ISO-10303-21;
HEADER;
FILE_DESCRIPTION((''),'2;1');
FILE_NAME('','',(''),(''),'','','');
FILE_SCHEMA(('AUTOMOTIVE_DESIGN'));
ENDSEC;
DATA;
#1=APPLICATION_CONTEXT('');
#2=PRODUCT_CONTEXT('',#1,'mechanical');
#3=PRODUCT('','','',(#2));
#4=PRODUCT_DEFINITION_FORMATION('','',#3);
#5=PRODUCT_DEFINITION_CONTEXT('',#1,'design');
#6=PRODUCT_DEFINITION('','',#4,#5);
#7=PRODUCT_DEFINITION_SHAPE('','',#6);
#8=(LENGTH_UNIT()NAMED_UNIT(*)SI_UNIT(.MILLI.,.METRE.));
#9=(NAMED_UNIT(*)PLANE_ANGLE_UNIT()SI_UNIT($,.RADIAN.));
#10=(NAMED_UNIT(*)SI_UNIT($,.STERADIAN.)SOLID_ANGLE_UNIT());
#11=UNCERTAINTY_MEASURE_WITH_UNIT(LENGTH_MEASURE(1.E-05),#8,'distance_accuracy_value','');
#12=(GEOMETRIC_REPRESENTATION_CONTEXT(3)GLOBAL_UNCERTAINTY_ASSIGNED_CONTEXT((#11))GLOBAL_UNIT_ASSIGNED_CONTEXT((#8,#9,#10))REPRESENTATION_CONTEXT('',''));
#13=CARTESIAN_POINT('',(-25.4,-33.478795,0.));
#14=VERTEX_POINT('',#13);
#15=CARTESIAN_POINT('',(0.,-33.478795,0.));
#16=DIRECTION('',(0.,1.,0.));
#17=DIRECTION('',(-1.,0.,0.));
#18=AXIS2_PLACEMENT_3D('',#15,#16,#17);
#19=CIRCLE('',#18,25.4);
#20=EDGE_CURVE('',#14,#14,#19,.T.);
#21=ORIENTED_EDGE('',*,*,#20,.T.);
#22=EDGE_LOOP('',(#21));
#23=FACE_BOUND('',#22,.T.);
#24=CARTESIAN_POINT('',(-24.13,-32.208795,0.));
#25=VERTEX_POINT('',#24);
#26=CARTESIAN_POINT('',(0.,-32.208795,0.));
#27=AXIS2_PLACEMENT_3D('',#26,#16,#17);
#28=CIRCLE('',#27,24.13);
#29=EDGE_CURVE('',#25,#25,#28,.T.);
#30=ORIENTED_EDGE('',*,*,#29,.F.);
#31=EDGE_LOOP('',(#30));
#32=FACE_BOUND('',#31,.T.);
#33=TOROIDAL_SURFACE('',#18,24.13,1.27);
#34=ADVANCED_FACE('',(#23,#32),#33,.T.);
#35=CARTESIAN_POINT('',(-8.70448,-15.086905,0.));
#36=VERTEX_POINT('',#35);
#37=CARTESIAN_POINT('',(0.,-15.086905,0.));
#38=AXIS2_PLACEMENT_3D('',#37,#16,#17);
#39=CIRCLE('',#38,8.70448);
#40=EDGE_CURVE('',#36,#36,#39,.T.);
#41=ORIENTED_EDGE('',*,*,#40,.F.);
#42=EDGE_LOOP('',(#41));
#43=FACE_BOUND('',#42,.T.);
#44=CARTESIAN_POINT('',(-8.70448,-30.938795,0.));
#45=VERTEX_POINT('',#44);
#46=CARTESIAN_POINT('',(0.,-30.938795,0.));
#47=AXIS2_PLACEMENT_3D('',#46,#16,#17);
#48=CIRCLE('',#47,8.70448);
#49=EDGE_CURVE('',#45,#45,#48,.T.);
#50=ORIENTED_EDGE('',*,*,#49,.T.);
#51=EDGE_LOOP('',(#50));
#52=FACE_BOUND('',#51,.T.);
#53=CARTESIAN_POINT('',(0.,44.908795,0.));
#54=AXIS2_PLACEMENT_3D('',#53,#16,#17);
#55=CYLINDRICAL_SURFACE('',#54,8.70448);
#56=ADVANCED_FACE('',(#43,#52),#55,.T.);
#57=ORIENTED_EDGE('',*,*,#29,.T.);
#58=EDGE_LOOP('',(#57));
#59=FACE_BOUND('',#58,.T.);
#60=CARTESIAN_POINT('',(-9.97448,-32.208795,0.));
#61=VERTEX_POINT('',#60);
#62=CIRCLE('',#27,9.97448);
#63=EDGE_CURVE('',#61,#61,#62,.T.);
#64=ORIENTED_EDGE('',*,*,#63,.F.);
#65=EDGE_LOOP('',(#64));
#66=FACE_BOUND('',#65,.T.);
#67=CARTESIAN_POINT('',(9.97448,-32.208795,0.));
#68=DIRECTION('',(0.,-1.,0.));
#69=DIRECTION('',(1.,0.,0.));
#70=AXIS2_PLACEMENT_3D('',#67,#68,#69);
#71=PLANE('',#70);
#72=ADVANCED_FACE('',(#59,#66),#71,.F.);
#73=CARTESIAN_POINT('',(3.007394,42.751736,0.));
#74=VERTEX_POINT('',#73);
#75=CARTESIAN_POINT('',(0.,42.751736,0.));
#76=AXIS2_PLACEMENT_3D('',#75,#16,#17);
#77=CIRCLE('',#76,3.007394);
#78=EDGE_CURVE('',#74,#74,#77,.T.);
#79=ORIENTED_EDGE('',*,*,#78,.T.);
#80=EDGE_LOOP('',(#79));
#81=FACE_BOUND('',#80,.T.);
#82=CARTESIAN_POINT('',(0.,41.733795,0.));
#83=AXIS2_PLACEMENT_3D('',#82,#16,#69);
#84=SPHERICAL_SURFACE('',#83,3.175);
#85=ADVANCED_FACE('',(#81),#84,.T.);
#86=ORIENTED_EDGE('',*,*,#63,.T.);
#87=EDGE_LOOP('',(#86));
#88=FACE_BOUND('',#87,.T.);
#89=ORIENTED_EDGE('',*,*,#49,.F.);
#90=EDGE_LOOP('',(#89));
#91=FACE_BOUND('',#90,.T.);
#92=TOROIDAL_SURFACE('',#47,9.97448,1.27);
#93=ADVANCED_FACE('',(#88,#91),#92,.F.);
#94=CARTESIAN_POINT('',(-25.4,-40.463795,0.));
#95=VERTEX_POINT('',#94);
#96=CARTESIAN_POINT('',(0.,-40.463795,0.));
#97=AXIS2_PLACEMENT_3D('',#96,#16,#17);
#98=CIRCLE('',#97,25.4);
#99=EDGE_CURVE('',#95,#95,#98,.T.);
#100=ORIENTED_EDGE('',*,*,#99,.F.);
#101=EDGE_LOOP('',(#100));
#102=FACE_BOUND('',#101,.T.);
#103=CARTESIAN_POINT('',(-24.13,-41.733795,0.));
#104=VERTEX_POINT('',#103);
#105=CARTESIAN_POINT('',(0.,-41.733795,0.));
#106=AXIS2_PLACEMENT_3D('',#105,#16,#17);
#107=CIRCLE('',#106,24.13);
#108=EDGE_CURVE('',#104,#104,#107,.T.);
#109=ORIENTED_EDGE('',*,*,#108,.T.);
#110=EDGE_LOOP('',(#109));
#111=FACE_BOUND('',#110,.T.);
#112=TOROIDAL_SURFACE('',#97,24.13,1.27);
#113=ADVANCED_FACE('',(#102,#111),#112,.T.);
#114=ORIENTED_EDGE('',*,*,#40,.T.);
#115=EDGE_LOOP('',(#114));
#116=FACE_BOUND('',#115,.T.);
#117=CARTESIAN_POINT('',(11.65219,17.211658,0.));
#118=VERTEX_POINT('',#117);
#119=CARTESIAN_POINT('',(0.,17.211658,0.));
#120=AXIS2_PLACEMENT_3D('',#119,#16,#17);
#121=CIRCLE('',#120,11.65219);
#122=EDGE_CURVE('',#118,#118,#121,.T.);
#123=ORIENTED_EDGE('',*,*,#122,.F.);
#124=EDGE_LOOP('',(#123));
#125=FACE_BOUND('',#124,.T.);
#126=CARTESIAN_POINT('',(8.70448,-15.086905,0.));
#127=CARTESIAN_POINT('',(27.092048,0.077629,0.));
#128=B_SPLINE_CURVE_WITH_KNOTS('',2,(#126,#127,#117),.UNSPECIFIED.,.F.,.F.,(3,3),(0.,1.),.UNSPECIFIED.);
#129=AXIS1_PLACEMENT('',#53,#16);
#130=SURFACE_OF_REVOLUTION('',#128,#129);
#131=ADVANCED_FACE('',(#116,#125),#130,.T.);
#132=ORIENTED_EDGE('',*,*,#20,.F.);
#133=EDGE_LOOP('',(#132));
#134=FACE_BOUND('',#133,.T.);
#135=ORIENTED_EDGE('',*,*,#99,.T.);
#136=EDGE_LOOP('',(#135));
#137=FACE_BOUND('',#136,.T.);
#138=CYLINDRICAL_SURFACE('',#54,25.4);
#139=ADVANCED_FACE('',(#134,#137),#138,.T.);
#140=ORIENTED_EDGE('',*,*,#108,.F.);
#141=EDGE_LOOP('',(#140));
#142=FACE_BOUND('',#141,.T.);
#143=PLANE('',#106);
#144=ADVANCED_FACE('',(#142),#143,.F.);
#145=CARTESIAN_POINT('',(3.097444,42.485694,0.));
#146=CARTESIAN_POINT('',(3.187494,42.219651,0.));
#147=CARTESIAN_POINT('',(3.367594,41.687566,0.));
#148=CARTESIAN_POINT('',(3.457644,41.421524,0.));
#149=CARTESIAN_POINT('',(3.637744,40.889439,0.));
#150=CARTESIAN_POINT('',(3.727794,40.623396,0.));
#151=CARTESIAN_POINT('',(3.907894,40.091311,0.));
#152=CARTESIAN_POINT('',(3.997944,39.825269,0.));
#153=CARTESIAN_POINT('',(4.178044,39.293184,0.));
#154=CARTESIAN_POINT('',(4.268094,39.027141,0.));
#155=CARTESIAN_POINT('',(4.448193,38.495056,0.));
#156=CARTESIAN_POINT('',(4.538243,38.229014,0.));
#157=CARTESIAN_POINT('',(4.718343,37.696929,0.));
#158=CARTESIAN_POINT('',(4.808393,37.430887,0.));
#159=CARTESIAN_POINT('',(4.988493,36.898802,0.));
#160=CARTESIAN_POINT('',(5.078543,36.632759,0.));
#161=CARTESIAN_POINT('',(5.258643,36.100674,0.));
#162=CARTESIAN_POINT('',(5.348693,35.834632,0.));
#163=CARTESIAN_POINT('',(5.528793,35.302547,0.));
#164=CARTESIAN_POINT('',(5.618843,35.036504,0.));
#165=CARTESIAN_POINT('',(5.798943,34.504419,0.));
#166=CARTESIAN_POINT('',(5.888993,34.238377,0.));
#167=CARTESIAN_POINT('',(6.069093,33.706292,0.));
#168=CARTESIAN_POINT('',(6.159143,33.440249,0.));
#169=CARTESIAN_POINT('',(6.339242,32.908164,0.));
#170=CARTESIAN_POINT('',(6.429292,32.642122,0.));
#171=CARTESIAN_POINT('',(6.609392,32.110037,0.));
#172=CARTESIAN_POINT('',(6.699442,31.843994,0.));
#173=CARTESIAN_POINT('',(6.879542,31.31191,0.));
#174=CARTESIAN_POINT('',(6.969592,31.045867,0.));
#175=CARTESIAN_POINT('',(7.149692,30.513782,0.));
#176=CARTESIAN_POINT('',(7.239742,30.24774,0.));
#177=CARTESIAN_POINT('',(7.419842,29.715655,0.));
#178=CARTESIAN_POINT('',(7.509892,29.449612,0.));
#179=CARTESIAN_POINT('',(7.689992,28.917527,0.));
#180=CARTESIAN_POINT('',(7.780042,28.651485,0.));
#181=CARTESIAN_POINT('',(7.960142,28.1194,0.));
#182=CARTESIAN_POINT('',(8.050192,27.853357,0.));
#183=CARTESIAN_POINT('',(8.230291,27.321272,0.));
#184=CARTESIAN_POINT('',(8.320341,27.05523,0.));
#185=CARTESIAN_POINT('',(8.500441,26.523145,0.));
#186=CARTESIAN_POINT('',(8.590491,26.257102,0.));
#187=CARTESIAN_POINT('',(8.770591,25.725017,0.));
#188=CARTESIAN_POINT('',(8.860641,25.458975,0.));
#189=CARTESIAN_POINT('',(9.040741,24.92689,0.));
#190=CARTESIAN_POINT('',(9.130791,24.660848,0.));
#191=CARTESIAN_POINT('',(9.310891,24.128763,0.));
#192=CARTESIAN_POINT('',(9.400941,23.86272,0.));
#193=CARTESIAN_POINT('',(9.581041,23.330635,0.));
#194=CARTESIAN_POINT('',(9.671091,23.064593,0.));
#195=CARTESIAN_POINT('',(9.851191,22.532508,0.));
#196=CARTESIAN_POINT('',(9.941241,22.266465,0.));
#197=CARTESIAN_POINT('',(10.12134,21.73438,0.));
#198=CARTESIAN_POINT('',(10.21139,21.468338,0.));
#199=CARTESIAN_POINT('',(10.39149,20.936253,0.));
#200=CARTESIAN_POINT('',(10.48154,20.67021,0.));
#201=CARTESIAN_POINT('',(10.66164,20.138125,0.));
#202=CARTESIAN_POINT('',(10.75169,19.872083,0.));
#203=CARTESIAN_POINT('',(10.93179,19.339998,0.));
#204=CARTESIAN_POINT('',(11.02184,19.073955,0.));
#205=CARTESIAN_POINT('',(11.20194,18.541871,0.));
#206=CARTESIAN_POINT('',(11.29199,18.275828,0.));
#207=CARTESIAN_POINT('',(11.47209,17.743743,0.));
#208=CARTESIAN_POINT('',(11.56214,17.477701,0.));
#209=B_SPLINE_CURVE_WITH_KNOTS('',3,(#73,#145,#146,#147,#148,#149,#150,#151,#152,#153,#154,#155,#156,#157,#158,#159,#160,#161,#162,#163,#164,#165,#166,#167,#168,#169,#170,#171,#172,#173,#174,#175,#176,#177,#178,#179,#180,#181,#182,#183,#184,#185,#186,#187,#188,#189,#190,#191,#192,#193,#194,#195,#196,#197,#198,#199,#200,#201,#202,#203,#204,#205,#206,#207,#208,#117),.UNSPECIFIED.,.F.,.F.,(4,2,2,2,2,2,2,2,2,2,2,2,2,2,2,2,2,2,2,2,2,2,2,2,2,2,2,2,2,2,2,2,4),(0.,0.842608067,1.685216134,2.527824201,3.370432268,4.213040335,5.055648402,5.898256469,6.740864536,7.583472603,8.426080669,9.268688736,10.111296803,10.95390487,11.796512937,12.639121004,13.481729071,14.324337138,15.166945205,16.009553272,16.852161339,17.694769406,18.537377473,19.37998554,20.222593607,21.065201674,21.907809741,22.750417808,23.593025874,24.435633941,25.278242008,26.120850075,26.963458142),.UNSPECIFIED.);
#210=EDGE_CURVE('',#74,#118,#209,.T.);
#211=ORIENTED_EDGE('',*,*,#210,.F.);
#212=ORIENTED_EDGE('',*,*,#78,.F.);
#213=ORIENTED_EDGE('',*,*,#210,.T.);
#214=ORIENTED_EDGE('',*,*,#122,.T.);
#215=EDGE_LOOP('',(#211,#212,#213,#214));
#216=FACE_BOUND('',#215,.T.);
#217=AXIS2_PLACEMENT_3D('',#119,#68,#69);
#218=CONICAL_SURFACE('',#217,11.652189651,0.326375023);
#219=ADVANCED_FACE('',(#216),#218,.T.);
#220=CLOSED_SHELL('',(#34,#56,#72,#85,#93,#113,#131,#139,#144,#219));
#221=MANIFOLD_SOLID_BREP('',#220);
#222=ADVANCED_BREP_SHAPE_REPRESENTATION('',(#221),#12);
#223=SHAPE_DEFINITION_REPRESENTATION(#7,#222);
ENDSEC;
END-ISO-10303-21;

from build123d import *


with BuildPart() as part:
    # Sketch1 → Revolve3 (revolve)
    with BuildSketch(Plane.XY, mode=Mode.PRIVATE) as revolve3_sk:
        with BuildLine():
            Line((3.007394206, 42.751736158), (11.652189651, 17.21165811))
            add(Edge.make_bspline(
                [(11.652189651, 17.21165811), (27.092047712, 0.077628738), (8.704480068, -15.086904856)],
                knots=[0, 0, 0, 1, 1, 1], degree=2))
            Line((8.704480068, -15.086904856), (8.704480068, -30.938794565))
            ThreePointArc((8.704480068, -30.938794565), (9.076454456, -31.836820177), (9.974480068, -32.208794565))
            Line((9.974480068, -32.208794565), (24.13, -32.208794565))
            ThreePointArc((24.13, -32.208794565), (25.028025612, -32.580768953), (25.4, -33.478794565))
            Line((25.4, -33.478794565), (25.4, -40.463794565))
            ThreePointArc((25.4, -40.463794565), (25.028025612, -41.361820177), (24.13, -41.733794565))
            Line((24.13, -41.733794565), (0, -41.733794565))
            Line((0, -41.733794565), (0, 44.908794565))
            ThreePointArc((0, 44.908794565), (1.850494588, 44.313774173), (3.007394206, 42.751736158))
        make_face()
    revolve(revolve3_sk.sketch.rotate(Axis((0, 44.908794565, 0), (0, -1, 0)), 180), axis=Axis((0, 44.908794565, 0), (0, -1, 0)))


solid = part.part
